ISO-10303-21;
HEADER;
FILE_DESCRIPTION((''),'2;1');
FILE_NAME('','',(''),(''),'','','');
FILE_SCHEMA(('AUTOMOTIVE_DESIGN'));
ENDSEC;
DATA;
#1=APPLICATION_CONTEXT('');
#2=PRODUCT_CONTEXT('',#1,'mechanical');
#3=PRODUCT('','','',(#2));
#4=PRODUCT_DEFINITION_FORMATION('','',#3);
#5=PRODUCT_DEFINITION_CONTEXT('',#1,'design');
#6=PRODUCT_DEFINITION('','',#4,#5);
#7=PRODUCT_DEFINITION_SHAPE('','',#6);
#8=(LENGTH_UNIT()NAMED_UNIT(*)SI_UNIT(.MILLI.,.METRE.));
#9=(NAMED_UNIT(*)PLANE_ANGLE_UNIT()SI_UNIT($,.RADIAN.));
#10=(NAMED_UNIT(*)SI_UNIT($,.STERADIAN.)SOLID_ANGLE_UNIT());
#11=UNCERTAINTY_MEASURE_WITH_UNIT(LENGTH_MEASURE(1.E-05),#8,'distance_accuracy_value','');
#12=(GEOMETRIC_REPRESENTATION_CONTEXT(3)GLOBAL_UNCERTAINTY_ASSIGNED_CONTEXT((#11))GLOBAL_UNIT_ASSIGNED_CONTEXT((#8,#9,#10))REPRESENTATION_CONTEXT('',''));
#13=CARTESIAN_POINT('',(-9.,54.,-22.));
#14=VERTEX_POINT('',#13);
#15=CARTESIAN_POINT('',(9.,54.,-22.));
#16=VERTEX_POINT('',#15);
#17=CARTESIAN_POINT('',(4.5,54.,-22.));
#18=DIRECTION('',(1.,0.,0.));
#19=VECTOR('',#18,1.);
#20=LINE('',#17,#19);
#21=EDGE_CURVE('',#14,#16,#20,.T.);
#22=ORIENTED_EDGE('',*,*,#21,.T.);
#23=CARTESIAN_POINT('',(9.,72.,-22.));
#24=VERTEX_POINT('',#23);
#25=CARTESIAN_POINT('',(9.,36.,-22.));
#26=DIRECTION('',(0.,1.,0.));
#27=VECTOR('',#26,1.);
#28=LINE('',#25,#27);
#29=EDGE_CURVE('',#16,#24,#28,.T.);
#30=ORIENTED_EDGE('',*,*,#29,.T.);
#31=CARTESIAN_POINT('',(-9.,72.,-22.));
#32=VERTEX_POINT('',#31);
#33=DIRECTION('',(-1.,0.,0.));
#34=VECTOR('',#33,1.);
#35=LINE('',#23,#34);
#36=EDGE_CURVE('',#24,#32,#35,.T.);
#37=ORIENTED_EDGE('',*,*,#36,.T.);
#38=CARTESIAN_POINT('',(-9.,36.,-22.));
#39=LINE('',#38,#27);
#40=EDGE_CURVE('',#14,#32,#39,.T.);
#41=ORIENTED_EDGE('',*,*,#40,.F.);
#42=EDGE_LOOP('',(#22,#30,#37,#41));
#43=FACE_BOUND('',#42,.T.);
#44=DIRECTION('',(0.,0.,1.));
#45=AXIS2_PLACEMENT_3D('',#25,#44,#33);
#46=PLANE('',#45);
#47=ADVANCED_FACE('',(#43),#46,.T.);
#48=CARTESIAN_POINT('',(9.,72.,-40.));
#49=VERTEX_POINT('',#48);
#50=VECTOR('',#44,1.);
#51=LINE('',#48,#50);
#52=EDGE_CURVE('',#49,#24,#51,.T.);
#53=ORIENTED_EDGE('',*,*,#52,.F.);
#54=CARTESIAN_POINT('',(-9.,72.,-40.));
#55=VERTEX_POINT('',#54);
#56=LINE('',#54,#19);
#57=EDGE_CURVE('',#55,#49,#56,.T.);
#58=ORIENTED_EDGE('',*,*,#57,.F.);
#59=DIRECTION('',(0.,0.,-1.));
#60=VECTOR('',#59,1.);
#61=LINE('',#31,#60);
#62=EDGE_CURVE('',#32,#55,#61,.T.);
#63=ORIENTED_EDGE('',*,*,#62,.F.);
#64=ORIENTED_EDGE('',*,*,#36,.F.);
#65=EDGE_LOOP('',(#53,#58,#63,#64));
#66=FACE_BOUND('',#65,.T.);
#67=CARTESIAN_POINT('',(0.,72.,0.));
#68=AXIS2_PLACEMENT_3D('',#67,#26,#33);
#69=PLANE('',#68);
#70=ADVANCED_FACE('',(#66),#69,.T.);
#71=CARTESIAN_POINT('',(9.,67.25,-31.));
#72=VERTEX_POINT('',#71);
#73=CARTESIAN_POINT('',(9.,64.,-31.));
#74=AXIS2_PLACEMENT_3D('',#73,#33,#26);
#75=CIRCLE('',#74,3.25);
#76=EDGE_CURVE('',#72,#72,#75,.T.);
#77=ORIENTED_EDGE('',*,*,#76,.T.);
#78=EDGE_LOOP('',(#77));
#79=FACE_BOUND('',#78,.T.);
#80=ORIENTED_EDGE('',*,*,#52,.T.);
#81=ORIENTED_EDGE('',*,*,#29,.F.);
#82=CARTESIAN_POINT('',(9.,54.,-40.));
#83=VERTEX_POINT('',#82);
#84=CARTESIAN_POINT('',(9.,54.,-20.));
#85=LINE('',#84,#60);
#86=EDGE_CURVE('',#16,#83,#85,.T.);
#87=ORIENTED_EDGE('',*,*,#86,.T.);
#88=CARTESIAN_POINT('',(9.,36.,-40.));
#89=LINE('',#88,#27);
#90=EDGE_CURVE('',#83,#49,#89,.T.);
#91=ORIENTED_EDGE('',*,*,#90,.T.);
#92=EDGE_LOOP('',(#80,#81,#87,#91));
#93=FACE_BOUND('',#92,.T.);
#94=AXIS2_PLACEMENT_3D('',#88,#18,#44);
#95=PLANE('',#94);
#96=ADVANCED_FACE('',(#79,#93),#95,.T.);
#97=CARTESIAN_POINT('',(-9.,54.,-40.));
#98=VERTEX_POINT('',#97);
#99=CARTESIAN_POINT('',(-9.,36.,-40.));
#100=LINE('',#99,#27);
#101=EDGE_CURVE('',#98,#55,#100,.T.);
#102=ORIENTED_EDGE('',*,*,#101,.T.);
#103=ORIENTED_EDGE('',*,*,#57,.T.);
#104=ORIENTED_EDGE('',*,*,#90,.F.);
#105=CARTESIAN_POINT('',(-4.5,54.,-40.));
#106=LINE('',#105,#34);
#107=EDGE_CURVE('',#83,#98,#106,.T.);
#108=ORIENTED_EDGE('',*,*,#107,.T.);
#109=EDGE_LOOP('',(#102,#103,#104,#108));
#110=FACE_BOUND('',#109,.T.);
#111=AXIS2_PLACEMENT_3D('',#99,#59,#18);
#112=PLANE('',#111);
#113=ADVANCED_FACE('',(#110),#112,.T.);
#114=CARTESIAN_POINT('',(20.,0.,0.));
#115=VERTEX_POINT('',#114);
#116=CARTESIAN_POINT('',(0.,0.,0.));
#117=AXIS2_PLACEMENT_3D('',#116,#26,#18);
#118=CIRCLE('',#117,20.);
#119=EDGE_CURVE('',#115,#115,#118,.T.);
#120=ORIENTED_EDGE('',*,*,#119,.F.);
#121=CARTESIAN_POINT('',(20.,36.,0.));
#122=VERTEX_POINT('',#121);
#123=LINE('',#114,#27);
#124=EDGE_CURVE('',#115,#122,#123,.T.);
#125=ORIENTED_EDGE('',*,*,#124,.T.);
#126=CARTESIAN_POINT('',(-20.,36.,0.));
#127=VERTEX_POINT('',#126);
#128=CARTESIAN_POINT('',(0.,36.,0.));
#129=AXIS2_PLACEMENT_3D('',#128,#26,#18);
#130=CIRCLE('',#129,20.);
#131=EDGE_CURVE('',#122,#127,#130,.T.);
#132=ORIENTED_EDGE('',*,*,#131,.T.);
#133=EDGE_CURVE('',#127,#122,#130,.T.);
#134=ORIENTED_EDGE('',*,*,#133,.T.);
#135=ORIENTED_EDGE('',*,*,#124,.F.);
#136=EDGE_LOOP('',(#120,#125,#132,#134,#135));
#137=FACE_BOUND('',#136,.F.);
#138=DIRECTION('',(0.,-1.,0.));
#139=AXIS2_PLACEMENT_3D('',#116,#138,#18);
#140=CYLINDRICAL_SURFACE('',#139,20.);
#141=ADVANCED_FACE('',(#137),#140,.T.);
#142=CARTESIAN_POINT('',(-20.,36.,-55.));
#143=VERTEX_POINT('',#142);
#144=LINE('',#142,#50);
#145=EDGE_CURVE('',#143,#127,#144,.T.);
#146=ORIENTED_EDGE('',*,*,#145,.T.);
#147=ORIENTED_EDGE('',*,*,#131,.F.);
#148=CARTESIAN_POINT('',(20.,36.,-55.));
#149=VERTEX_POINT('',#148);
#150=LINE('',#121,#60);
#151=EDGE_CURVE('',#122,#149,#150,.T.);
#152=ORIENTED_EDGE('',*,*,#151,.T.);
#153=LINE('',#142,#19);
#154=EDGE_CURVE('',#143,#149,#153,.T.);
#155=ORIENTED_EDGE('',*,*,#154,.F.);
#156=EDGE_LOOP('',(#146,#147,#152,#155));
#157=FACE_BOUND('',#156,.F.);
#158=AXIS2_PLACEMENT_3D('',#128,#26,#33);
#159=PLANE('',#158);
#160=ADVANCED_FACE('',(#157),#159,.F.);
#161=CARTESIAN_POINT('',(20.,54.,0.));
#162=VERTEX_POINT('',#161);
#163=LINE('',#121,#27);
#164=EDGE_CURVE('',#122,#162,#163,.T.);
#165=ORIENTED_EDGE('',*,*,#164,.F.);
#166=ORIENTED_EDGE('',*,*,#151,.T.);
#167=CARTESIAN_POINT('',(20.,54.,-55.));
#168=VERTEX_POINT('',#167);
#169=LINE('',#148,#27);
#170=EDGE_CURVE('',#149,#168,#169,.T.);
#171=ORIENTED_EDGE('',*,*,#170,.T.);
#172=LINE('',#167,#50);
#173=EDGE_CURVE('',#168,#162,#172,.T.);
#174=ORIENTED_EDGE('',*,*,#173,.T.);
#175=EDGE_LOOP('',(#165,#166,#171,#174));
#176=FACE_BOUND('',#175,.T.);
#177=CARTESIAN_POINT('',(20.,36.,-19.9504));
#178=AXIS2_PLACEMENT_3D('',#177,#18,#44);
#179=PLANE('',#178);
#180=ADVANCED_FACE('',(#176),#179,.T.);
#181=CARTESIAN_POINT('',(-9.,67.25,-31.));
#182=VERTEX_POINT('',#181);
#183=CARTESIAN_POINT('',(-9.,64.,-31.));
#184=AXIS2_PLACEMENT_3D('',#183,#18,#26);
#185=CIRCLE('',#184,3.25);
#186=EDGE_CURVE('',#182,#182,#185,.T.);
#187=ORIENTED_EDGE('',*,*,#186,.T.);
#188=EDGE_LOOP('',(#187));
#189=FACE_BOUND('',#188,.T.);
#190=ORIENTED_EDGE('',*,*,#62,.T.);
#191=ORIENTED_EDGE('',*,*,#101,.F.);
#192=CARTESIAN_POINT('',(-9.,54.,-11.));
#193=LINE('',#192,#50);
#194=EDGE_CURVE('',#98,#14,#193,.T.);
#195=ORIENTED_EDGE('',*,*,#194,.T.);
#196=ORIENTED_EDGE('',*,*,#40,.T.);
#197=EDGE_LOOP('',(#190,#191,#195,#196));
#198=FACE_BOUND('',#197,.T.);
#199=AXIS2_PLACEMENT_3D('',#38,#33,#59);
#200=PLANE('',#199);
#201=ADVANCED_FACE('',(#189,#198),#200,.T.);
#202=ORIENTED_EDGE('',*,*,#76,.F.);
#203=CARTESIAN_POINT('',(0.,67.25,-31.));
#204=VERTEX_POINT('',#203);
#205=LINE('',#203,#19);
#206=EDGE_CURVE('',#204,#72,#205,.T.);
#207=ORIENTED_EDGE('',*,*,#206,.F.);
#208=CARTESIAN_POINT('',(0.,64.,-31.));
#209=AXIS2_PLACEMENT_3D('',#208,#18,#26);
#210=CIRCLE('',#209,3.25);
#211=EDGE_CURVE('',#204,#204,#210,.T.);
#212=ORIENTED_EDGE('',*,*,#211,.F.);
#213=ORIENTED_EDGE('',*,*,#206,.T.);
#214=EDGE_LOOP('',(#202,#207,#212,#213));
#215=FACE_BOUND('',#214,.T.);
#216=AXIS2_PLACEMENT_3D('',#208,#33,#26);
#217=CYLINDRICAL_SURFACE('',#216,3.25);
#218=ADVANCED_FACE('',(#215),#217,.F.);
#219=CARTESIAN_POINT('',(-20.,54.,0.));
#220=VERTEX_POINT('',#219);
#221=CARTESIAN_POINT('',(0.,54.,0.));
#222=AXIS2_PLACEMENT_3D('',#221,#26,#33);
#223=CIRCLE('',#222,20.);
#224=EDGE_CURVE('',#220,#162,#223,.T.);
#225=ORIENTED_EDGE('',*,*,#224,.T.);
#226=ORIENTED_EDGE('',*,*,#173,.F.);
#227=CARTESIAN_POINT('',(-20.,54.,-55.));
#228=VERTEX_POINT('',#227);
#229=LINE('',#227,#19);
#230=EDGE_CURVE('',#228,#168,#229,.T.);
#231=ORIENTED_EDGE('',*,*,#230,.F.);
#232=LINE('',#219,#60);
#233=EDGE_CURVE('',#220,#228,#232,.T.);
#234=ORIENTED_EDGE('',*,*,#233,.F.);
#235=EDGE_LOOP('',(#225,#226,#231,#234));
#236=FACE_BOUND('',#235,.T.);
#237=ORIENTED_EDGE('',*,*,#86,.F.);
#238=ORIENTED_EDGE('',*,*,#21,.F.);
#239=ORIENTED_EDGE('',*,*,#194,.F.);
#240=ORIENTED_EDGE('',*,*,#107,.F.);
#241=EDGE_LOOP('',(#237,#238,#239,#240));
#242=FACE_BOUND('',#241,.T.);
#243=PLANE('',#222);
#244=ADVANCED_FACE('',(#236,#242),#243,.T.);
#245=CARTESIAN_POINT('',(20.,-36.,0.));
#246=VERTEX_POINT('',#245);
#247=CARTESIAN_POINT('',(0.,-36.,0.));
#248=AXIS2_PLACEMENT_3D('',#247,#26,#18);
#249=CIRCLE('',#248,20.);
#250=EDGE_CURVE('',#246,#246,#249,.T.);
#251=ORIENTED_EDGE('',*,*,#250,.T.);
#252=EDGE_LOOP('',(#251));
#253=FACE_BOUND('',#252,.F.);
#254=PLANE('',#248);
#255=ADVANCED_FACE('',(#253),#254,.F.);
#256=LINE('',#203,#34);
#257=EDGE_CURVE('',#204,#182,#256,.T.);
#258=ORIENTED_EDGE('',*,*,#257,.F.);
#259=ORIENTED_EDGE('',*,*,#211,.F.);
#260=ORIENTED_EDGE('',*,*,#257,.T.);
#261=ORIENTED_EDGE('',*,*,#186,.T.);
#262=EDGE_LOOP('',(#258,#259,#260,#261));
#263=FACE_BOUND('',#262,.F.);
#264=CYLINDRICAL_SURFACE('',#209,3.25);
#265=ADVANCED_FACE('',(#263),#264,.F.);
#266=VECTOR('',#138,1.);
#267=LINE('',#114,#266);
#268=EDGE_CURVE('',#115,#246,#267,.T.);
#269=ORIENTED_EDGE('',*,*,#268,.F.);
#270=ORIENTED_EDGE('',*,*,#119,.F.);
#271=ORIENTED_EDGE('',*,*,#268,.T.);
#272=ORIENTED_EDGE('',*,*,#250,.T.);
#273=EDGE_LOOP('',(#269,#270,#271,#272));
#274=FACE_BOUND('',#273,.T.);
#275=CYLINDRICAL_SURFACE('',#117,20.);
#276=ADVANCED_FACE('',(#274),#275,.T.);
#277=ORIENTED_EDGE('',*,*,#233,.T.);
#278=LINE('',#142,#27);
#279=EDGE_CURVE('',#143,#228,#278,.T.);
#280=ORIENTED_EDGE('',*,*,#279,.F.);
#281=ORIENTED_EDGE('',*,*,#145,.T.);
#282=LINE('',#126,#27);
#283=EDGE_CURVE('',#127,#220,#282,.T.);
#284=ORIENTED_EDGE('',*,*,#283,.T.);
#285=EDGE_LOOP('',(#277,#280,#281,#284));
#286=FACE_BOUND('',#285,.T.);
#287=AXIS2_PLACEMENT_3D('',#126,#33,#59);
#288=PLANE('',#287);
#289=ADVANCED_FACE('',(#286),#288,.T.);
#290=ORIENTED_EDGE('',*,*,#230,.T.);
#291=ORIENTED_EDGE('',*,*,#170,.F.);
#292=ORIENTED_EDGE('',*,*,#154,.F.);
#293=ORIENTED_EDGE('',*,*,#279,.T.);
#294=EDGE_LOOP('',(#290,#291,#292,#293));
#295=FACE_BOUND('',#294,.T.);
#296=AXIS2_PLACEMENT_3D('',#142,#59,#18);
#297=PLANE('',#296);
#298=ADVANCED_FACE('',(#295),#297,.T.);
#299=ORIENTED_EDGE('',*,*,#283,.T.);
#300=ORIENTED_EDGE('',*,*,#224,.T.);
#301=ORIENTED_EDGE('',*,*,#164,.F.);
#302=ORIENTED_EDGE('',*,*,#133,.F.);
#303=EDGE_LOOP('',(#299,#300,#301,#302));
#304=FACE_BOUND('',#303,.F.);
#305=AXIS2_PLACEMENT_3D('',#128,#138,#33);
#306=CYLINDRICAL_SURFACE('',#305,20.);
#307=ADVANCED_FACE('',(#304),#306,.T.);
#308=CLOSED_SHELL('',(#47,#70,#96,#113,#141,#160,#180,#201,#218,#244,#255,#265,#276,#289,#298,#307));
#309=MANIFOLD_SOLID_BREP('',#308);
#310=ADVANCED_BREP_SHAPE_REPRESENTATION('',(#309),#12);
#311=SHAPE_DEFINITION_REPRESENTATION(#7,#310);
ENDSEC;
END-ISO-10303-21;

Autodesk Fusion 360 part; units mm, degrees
sketch "Sketch1" plane through (0, 0, 0) normal (0, 0, 1) x (1, 0, 0)
sketch "Sketch2" plane through (0, 0, 0) normal (1, 0, 0) x (0, 1, 0)
  line L0 (36, -20) -> (-36, -20)
  line L1 (-36, -20) -> (-36, 20)
  line L2 (-36, 20) -> (36, 20)
  line L3 (36, 20) -> (36, -20)
  line L4 (36, -20) -> (-36, 20) construction
  line L5 (-36, -20) -> (36, 20) construction
  dimension "d1" = 72
  dimension "d2" = 40
sketch "Sketch3" plane through (0, 0, 0) normal (0, 1, 0) x (1, 0, 0)
  circle A0 centre (0, 0) radius 20
  dimension "d3" = 40
extrude "Extrude1" add sketch "Sketch3" along normal mid plane 72
sketch "Sketch4" plane through (0, 0, 0) normal (0, 1, 0) x (1, 0, 0)
sketch "Sketch5" plane through (0, 36, 0) normal (0, 1, 0) x (-1, 0, 0)
  circle A0 centre (0, 0) radius 20
  circle A1 centre (0, 0) radius 20
  line L0 (0, 20) -> (0, -55) construction
  line L1 (20, 0) -> (20, -55)
  line L2 (20, -55) -> (-20, -55)
  line L3 (-20, -55) -> (-20, 0)
  line L4 (0, -55) -> (0, -31) construction
  line L5 (9, -40) -> (-9, -40)
  line L6 (-9, -40) -> (-9, -22)
  line L7 (-9, -22) -> (9, -22)
  line L8 (9, -22) -> (9, -40)
  line L9 (9, -40) -> (-9, -22) construction
  line L10 (-9, -40) -> (9, -22) construction
  line L11 (20, -19.9504) -> (-20, -19.9504)
  line L12 (-20, -19.9504) -> (-20, -49.9504)
  line L13 (-20, -49.9504) -> (20, -49.9504)
  line L14 (20, -49.9504) -> (20, -19.9504)
  point P0 (0, -31)
  dimension "d6" = 75
  dimension "d11" = 24
  dimension "d12" = 18
  dimension "d21" = 30
extrude "Extrude2" add sketch "Sketch5" along normal blind 18 contours A0 A1 L11 | A0 A1 L1 L11 | A0 A1 L3 L11 | A0 A1 L1 L3 L11 L12 L13 L14 | A0 A1 L11 | L1 L2 L3 L13 | L5 L6 L7 L8
extrude "Extrude4" add sketch "Sketch5" along normal blind 36 contours L5 L6 L7 L8
sketch "Sketch6" plane through (0, 0, 0) normal (1, 0, 0) x (0, 1, 0)
  line L0 (54, -22) -> (72, -40) construction
  line L1 (72, -40) -> (72, -22) construction
  line L2 (72, -22) -> (54, -40) construction
  line L3 (54, -40) -> (63, -31) construction
  line L4 (54, -31) -> (64, -31) construction
  circle A0 centre (64, -31) radius 3.25
  dimension "d17" = 10
  dimension "d18" = 6.5
extrude "Extrude5" cut sketch "Sketch6" along normal mid plane 64
extrude "Extrude6" [suppressed]
extrude "Extrude3" [suppressed]
